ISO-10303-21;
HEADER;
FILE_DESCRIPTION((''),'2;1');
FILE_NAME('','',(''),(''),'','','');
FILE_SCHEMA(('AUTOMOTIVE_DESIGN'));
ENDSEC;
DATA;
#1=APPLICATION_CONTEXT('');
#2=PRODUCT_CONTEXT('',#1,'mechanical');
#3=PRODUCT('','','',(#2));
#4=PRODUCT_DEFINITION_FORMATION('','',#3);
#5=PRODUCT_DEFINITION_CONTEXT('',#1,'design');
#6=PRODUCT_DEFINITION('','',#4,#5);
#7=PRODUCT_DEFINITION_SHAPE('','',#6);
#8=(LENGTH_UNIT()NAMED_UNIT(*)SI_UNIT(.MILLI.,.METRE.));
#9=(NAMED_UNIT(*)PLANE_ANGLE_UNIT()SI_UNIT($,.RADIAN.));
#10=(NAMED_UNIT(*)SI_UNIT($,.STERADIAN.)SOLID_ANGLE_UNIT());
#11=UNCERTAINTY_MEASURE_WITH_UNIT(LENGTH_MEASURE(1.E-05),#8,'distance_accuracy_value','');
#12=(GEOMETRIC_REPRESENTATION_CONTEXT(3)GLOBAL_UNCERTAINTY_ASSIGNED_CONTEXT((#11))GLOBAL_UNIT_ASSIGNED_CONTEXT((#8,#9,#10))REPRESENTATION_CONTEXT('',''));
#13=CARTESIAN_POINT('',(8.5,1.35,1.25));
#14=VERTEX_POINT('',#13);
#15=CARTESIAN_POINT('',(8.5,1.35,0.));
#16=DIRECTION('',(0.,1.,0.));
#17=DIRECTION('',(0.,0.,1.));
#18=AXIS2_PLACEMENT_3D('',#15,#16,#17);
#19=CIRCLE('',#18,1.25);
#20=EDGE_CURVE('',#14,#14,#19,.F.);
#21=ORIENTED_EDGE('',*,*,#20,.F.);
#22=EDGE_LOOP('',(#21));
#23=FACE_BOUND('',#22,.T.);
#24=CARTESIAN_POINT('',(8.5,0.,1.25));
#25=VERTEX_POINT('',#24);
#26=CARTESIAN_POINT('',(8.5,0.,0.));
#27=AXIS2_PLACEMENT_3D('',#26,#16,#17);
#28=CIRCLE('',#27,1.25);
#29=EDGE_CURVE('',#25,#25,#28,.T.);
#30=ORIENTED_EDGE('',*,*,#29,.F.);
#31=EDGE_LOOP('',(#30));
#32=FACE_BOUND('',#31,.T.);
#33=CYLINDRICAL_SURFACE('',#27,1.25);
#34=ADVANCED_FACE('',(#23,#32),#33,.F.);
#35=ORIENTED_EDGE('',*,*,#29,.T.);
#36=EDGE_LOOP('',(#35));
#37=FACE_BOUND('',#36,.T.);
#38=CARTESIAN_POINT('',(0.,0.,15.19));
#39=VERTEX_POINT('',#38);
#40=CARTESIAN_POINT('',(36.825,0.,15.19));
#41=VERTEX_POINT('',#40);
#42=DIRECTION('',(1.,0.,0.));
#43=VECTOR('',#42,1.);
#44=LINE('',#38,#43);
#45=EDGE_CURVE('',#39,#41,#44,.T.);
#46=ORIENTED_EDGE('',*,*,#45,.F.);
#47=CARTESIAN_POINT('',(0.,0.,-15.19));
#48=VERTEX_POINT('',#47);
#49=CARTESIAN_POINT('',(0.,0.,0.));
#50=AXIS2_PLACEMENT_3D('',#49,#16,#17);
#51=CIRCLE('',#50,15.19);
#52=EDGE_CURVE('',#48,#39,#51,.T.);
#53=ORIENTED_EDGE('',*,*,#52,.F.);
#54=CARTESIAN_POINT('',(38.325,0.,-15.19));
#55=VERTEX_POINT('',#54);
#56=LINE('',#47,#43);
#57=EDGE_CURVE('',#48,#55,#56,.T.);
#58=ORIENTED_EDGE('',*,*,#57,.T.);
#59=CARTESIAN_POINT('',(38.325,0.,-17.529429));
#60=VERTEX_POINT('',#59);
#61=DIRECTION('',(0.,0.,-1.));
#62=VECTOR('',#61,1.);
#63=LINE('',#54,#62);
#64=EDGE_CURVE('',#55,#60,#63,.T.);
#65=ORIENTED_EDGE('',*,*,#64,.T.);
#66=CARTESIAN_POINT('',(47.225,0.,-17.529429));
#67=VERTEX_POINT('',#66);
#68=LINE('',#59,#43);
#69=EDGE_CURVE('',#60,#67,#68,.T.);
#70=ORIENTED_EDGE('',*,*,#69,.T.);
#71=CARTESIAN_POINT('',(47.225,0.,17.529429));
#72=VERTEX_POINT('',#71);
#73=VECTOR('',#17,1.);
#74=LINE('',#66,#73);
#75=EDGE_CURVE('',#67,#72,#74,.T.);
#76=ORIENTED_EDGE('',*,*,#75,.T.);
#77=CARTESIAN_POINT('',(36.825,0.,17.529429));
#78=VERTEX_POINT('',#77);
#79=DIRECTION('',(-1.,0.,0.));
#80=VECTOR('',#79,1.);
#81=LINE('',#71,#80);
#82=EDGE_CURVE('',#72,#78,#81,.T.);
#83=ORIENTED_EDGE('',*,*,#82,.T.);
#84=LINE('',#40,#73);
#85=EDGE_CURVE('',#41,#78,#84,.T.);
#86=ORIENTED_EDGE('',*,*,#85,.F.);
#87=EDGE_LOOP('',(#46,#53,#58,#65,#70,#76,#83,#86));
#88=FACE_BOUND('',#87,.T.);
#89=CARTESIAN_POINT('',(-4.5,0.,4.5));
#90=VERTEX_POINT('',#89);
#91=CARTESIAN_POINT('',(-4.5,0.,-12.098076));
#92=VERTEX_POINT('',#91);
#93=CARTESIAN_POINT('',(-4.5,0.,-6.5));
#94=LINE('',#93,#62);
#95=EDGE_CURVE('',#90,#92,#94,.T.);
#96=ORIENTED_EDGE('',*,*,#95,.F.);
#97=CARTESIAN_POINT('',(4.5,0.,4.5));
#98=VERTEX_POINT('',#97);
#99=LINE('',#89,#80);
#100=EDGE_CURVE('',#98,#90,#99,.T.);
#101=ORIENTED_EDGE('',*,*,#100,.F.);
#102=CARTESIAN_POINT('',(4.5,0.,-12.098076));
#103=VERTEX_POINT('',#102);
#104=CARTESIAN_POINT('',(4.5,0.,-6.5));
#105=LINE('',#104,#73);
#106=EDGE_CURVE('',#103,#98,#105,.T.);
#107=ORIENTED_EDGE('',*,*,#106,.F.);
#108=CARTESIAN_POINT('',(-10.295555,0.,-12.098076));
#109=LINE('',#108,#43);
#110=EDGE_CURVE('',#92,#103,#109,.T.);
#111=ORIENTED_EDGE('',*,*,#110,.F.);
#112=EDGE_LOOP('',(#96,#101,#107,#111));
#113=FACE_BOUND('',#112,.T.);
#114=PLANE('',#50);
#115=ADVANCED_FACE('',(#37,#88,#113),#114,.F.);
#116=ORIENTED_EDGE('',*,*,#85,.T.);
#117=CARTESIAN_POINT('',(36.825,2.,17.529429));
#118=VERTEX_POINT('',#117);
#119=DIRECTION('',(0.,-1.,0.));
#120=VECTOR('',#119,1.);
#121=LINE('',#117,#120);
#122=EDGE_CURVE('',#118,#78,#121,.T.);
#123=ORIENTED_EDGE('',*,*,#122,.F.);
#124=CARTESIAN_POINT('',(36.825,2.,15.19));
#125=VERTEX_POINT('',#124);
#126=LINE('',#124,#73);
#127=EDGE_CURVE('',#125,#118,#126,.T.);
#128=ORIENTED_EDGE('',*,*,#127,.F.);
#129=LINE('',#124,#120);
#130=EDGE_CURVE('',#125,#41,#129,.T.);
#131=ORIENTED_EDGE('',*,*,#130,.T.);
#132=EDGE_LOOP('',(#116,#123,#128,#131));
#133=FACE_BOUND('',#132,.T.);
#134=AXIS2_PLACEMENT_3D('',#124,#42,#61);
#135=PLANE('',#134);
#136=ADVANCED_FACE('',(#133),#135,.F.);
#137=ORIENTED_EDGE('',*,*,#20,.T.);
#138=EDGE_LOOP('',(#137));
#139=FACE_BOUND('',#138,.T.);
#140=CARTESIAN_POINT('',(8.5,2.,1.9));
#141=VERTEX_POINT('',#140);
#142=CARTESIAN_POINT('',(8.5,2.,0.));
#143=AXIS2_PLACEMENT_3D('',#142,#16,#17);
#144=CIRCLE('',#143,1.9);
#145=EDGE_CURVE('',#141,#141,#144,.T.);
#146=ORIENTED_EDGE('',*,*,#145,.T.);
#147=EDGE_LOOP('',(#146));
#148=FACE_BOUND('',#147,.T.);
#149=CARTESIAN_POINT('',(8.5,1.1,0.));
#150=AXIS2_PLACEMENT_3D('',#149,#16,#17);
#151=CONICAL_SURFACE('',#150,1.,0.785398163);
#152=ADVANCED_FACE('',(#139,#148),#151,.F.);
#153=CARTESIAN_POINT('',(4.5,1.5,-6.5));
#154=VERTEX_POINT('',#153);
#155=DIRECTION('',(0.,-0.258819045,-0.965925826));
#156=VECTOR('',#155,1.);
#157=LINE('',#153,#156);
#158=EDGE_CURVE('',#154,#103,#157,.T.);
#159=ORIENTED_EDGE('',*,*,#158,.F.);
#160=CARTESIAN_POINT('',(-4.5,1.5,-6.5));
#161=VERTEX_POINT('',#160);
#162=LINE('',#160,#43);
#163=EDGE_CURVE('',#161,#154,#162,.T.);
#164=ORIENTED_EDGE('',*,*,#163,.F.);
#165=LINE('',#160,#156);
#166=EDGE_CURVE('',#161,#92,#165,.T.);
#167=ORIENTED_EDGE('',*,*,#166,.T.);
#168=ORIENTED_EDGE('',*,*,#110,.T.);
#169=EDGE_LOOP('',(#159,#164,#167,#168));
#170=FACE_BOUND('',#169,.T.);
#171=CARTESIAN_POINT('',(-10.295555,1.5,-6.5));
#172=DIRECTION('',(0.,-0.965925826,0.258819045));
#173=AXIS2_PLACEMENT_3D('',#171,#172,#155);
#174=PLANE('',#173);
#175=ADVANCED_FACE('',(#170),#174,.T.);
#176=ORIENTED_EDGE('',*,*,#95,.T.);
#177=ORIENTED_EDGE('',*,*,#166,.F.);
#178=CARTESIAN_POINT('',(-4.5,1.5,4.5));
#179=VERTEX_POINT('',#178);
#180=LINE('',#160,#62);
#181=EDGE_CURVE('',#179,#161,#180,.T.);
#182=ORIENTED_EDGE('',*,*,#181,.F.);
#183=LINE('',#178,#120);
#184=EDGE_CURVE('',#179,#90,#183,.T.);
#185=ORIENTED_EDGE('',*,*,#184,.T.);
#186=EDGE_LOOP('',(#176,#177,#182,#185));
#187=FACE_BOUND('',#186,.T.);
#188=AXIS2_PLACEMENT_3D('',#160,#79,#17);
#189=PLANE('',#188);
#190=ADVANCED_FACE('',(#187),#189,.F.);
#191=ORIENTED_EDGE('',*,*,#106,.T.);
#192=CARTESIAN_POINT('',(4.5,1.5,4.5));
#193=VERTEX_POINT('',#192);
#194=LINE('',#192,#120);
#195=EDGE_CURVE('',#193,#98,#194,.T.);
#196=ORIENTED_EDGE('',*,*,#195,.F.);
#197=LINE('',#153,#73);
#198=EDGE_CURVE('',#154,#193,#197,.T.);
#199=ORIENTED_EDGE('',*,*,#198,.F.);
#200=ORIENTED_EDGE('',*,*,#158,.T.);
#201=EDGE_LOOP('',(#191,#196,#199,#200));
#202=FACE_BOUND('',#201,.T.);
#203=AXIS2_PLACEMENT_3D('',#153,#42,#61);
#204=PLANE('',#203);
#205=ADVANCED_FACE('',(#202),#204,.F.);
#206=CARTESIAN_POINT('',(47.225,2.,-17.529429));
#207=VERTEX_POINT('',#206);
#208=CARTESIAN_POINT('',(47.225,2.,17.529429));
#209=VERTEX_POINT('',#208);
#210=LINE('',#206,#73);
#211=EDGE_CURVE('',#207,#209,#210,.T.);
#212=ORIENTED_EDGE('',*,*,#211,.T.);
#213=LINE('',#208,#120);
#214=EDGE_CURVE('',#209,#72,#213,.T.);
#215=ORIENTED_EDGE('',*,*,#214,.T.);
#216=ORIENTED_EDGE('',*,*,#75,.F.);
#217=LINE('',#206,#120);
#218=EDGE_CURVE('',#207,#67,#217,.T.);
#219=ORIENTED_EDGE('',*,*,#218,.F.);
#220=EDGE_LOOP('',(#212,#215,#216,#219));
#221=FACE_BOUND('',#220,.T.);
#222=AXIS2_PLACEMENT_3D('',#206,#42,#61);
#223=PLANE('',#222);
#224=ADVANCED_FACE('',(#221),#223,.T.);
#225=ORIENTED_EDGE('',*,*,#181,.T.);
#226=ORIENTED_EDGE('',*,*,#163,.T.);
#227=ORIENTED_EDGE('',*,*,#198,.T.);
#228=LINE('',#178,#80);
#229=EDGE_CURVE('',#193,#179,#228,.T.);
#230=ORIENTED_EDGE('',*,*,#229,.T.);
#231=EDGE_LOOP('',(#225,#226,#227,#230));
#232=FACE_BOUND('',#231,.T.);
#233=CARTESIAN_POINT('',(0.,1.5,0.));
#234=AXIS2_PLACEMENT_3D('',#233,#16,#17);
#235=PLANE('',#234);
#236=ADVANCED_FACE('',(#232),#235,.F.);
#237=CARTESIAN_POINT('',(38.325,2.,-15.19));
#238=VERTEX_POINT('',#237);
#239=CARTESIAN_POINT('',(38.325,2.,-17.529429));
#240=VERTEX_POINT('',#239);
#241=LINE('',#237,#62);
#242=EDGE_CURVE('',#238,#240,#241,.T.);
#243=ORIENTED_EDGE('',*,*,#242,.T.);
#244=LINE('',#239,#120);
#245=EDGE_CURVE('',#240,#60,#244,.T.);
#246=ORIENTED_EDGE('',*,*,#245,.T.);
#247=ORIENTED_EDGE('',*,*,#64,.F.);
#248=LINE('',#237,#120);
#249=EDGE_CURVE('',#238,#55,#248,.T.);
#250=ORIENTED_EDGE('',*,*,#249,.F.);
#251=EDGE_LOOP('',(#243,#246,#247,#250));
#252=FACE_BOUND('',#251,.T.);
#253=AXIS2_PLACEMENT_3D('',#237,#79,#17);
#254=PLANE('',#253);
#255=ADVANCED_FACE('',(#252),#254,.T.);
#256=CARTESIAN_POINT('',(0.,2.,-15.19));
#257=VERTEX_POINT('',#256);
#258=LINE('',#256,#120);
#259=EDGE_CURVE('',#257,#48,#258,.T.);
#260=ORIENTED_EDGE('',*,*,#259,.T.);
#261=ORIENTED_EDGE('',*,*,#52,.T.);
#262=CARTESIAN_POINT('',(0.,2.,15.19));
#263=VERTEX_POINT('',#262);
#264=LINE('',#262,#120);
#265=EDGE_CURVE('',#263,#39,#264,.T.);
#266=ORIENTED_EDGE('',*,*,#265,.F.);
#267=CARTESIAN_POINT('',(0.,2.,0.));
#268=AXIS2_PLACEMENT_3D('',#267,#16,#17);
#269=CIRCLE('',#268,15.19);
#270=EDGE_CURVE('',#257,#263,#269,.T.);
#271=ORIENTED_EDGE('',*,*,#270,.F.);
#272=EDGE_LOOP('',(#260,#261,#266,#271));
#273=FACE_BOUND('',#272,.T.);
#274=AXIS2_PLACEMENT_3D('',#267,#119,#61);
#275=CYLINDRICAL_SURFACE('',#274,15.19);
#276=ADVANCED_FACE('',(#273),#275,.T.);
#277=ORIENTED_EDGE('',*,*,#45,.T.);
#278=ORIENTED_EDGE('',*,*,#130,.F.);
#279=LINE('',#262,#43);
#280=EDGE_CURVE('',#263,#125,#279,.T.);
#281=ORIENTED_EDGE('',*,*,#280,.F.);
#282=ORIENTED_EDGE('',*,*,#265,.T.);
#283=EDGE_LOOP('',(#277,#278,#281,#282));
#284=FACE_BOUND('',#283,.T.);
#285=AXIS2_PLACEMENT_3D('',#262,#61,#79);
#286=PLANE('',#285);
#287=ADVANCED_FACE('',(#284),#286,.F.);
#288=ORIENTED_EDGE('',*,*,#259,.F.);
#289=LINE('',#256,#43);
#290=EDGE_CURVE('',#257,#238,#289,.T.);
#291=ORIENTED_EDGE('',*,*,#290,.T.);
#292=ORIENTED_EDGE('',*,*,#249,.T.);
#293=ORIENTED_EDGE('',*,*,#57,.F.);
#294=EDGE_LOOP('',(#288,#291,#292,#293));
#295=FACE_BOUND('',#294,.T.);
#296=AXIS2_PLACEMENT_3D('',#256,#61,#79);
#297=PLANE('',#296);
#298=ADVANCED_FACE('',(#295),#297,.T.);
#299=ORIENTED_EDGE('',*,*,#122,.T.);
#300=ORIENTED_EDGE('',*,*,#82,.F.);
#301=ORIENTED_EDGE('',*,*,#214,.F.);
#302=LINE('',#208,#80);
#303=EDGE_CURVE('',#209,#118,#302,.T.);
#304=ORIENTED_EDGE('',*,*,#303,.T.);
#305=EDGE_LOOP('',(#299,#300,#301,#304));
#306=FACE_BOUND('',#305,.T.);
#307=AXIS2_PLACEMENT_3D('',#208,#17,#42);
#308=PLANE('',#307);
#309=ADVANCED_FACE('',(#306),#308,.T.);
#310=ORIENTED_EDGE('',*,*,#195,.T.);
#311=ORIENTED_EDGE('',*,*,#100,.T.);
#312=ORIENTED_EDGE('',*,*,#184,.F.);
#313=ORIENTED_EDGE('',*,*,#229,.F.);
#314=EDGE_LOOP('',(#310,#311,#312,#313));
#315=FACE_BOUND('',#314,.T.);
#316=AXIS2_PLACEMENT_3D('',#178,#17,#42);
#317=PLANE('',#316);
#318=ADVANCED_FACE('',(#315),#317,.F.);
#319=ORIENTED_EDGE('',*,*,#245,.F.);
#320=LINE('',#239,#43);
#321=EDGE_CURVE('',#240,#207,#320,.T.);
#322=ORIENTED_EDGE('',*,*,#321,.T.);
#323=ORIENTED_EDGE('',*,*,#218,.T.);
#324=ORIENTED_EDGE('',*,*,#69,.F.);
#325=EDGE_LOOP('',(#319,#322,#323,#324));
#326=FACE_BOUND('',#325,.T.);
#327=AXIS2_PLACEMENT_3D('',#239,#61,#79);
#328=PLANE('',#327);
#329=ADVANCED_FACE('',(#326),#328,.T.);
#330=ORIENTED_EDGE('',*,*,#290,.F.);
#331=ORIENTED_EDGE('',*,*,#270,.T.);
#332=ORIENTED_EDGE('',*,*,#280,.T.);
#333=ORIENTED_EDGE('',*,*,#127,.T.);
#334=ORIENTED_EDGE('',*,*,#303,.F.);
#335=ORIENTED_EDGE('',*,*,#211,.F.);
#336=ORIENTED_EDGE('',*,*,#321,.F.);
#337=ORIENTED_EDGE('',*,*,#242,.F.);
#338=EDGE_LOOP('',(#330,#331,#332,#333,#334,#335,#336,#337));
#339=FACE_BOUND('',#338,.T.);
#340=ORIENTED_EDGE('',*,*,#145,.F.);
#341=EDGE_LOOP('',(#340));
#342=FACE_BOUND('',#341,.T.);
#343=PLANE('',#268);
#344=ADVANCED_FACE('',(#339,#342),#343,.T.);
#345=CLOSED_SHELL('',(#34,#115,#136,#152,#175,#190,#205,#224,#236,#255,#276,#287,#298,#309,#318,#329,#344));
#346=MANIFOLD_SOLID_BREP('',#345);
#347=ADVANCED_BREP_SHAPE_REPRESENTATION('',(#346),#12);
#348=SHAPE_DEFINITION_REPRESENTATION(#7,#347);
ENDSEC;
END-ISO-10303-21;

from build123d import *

# Parameters (mm, degrees)
BASE_SHAPE_DEPTH            = 2
SCREW_HOLE_SKETCH_R         = 1.25
SCREW_HOLE_DEPTH            = 51.413108579
PCB_CUTOUT_SKETCH_W         = 9
PCB_CUTOUT_SKETCH_H         = 11
CAMERA_PCB_CUTOUT_DEPTH     = 1.5
CAMERA_RIBBON_ROUTING_DEPTH = 9


with BuildPart() as part:
    # Base Shape Sketch → Base Shape (new body)
    with BuildSketch(Plane(origin=(0, 0, 0), x_dir=(1, 0, 0), z_dir=(0, 1, 0))):
        with BuildLine():
            Line((0, 15.19), (38.325, 15.19))
            Line((38.325, 15.19), (38.325, 17.5294293))
            Line((38.325, 17.5294293), (47.225, 17.5294293))
            Line((47.225, 17.5294293), (47.225, -17.5294293))
            Line((47.225, -17.5294293), (36.825, -17.5294293))
            Line((36.825, -17.5294293), (36.825, -15.19))
            Line((36.825, -15.19), (0, -15.19))
            ThreePointArc((0, -15.19), (-15.19, 0), (0, 15.19))
        make_face()
    extrude(amount=BASE_SHAPE_DEPTH)

    # Screw Hole Sketch → Screw Hole (cut, through all)
    with BuildSketch(Plane(origin=(0, 2, 0), x_dir=(1, 0, 0), z_dir=(0, 1, 0))):
        with Locations(Location((8.5, 0, 0), (0, 0, 270))):
            Circle(SCREW_HOLE_SKETCH_R)
    extrude(amount=-SCREW_HOLE_DEPTH, mode=Mode.SUBTRACT)

    # Countersink Sketch → Screw Hole Countersink (revolve, cut)
    with BuildSketch(Plane.XY, mode=Mode.PRIVATE) as screw_hole_countersink_sk:
        Polygon((8.5, 2), (8.5, 0.8), (9.5, 0.8), (9.5, 1.1), (10.4, 2), align=None)
    revolve(screw_hole_countersink_sk.sketch.rotate(Axis((8.5, 2, 0), (0, -1, 0)), 90), axis=Axis((8.5, 2, 0), (0, -1, 0)), mode=Mode.SUBTRACT)

    # PCB Cutout Sketch → Camera PCB Cutout (cut)
    with BuildSketch(Plane.XZ):
        with Locations((0, -1)):
            Rectangle(PCB_CUTOUT_SKETCH_W, PCB_CUTOUT_SKETCH_H)
    extrude(amount=-CAMERA_PCB_CUTOUT_DEPTH, mode=Mode.SUBTRACT)

    # Ribbon Routing Sketch → Camera Ribbon Routing (cut)
    with BuildSketch(Plane.ZY.offset(-4.5)):
        Polygon((-6.5, 1.5), (-12.098076211, 0), (-6.5, 0), align=None)
    extrude(amount=CAMERA_RIBBON_ROUTING_DEPTH, mode=Mode.SUBTRACT)


solid = part.part
